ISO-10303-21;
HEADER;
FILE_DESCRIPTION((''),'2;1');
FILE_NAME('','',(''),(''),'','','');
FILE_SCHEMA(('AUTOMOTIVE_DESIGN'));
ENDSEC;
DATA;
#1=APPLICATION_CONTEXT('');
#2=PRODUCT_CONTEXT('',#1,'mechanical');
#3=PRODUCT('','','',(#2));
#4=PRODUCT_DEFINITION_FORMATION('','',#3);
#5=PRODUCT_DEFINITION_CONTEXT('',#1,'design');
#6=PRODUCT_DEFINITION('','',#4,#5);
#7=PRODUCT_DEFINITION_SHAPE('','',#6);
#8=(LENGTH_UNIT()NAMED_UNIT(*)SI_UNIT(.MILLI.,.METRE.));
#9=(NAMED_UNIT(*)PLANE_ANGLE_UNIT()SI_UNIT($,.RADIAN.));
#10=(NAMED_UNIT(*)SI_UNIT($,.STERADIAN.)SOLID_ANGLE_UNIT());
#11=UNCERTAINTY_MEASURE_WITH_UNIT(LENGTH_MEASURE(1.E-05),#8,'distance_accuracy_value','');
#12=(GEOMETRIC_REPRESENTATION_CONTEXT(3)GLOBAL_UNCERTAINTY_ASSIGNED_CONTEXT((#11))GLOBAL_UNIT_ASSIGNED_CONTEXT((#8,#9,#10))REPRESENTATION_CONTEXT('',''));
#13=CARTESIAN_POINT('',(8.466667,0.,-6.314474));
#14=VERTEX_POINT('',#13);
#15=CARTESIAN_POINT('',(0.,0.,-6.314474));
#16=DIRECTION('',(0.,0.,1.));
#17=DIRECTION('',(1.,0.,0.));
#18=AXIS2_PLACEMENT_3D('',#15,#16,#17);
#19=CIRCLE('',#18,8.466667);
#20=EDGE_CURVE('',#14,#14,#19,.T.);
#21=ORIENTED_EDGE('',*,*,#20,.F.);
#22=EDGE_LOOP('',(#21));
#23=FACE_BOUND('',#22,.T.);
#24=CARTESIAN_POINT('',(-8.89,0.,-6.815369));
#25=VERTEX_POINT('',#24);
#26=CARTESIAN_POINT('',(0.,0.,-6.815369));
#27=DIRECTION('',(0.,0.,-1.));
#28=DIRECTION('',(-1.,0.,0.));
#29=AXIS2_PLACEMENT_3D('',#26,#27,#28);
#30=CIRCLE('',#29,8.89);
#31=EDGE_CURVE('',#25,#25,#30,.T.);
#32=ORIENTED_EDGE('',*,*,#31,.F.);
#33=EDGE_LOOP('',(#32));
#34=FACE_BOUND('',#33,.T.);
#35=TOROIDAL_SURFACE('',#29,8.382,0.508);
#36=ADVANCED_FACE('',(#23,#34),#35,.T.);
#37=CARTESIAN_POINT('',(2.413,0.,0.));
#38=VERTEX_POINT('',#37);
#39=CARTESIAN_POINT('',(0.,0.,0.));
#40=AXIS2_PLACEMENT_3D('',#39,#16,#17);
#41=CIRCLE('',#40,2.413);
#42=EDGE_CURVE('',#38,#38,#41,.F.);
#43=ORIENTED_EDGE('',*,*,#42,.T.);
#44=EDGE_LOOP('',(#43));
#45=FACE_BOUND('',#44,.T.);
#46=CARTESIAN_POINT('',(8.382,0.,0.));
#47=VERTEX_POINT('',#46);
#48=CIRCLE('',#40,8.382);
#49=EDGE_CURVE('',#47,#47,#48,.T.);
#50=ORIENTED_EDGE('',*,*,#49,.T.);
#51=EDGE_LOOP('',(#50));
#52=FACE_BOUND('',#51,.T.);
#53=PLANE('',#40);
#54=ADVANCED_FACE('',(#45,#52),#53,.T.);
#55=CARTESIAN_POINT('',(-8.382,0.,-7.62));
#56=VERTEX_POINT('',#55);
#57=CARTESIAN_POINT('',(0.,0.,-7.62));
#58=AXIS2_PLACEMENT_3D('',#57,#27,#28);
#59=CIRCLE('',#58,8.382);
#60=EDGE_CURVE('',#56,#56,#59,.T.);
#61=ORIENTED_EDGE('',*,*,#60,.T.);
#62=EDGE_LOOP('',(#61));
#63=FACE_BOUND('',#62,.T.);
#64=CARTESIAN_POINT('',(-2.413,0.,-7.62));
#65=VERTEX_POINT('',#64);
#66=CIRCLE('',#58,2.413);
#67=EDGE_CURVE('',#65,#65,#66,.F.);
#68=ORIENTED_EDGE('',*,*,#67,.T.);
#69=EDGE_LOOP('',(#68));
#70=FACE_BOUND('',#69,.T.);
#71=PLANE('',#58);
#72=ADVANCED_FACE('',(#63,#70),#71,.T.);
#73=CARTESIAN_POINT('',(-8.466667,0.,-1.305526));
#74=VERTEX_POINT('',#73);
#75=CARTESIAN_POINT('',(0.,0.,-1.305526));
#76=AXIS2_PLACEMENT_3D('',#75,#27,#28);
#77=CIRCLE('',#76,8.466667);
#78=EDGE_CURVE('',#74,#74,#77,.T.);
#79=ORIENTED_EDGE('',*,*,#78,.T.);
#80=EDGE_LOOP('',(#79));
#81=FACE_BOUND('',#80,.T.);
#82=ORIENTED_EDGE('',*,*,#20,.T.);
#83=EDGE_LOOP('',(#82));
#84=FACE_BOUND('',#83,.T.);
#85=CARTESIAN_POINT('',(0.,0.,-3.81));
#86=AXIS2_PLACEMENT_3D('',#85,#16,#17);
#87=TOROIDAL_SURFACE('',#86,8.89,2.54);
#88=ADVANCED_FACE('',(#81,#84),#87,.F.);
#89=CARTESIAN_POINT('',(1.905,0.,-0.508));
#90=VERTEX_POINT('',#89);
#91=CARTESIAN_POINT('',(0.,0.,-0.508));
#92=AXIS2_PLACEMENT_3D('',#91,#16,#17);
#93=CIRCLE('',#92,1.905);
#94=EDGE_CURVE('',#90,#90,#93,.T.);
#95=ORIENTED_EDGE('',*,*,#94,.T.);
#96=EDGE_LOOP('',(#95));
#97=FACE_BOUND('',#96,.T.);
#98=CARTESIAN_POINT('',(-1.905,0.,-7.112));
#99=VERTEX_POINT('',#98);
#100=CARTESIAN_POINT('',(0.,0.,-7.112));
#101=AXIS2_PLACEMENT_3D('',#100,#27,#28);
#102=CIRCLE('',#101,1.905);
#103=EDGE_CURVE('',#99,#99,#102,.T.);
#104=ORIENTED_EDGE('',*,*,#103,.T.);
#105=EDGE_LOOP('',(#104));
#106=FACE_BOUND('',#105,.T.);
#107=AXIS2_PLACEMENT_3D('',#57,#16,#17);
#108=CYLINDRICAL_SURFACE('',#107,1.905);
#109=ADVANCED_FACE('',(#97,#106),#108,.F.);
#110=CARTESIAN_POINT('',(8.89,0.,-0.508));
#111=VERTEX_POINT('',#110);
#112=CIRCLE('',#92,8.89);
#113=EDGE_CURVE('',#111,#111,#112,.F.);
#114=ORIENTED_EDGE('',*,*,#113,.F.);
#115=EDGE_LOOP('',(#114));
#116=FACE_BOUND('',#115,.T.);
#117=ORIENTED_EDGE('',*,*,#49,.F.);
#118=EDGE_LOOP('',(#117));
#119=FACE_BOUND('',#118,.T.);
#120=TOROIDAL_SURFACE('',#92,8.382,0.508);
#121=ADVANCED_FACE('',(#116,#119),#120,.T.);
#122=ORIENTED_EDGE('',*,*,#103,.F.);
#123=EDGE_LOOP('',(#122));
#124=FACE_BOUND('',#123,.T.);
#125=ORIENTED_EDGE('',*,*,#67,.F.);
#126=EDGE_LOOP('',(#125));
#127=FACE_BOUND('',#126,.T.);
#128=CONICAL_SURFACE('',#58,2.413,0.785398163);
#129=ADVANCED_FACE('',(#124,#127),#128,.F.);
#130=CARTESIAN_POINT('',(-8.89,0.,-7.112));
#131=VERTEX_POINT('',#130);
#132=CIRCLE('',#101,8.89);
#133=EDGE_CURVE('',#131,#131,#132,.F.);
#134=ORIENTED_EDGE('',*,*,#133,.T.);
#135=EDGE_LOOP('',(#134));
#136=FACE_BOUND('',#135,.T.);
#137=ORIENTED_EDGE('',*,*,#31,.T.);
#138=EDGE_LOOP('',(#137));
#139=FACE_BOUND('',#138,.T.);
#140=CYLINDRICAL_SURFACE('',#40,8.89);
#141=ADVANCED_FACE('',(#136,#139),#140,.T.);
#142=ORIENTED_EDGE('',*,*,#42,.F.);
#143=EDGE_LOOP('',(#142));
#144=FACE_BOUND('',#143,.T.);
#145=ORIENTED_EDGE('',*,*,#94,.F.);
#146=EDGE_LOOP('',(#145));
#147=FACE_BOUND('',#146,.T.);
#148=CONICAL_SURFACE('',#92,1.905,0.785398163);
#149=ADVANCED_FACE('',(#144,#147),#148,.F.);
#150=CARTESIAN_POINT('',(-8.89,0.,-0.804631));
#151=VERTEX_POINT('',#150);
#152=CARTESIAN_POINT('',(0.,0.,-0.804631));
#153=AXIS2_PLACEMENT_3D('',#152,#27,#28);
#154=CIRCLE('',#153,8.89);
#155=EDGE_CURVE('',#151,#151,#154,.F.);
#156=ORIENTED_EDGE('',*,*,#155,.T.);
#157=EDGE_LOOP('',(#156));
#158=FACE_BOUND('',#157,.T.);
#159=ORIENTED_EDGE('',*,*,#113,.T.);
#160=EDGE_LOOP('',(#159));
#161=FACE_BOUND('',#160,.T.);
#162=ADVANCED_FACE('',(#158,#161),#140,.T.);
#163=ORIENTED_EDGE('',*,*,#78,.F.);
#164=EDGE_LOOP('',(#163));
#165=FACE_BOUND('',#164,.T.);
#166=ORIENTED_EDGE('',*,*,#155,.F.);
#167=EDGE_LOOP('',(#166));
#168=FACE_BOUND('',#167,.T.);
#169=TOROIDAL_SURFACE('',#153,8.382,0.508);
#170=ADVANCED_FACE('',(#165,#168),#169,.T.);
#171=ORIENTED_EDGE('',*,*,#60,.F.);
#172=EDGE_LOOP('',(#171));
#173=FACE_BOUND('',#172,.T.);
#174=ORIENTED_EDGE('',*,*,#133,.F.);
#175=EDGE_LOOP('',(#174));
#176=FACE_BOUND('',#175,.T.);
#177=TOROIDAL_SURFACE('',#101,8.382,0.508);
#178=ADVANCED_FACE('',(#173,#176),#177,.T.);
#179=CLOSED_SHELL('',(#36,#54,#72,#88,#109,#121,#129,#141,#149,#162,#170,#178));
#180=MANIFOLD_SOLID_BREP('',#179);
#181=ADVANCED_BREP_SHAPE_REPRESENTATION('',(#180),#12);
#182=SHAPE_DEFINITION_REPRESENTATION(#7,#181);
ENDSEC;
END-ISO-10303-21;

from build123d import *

# Parameters (mm, degrees)
FILLET1_R          = 0.508
SKETCH2_R          = 1.905
CUT_EXTRUDE1_DEPTH = 15.701312987
CHAMFER1_SIZE      = 0.508


with BuildPart() as part:
    # Sketch1 → Revolve1 (revolve)
    with BuildSketch(Plane(origin=(0, 0, 0), x_dir=(1, 0, 0), z_dir=(0, 1, 0))):
        with BuildLine():
            Line((8.89, 6.35), (8.89, 7.62))
            Line((8.89, 7.62), (0, 7.62))
            Line((0, 7.62), (0, 0))
            Line((0, 0), (8.89, 0))
            Line((8.89, 0), (8.89, 1.27))
            ThreePointArc((8.89, 1.27), (6.35, 3.81), (8.89, 6.35))
        make_face()
    revolve(axis=Axis((0, 0, 0), (0, 0, -1)))

    # Fillet1
    fillet1_edges = [part.edges().sort_by_distance(p)[0] for p in [
        (-8.89, 0, 0),
        (-8.89, 0, -1.27),
        (-8.89, 0, -6.35),
        (-8.89, 0, -7.62),
    ]]
    fillet(fillet1_edges, radius=FILLET1_R)

    # Sketch2 → Cut-Extrude1 (cut, through all)
    with BuildSketch(Plane.XY):
        Circle(SKETCH2_R)
    extrude(amount=-CUT_EXTRUDE1_DEPTH, mode=Mode.SUBTRACT)

    # Chamfer1
    chamfer1_edges = [part.edges().sort_by_distance(p)[0] for p in [
        (-1.905, 0, -7.62),
        (-1.905, 0, 0),
    ]]
    chamfer(chamfer1_edges, length=CHAMFER1_SIZE)


solid = part.part
